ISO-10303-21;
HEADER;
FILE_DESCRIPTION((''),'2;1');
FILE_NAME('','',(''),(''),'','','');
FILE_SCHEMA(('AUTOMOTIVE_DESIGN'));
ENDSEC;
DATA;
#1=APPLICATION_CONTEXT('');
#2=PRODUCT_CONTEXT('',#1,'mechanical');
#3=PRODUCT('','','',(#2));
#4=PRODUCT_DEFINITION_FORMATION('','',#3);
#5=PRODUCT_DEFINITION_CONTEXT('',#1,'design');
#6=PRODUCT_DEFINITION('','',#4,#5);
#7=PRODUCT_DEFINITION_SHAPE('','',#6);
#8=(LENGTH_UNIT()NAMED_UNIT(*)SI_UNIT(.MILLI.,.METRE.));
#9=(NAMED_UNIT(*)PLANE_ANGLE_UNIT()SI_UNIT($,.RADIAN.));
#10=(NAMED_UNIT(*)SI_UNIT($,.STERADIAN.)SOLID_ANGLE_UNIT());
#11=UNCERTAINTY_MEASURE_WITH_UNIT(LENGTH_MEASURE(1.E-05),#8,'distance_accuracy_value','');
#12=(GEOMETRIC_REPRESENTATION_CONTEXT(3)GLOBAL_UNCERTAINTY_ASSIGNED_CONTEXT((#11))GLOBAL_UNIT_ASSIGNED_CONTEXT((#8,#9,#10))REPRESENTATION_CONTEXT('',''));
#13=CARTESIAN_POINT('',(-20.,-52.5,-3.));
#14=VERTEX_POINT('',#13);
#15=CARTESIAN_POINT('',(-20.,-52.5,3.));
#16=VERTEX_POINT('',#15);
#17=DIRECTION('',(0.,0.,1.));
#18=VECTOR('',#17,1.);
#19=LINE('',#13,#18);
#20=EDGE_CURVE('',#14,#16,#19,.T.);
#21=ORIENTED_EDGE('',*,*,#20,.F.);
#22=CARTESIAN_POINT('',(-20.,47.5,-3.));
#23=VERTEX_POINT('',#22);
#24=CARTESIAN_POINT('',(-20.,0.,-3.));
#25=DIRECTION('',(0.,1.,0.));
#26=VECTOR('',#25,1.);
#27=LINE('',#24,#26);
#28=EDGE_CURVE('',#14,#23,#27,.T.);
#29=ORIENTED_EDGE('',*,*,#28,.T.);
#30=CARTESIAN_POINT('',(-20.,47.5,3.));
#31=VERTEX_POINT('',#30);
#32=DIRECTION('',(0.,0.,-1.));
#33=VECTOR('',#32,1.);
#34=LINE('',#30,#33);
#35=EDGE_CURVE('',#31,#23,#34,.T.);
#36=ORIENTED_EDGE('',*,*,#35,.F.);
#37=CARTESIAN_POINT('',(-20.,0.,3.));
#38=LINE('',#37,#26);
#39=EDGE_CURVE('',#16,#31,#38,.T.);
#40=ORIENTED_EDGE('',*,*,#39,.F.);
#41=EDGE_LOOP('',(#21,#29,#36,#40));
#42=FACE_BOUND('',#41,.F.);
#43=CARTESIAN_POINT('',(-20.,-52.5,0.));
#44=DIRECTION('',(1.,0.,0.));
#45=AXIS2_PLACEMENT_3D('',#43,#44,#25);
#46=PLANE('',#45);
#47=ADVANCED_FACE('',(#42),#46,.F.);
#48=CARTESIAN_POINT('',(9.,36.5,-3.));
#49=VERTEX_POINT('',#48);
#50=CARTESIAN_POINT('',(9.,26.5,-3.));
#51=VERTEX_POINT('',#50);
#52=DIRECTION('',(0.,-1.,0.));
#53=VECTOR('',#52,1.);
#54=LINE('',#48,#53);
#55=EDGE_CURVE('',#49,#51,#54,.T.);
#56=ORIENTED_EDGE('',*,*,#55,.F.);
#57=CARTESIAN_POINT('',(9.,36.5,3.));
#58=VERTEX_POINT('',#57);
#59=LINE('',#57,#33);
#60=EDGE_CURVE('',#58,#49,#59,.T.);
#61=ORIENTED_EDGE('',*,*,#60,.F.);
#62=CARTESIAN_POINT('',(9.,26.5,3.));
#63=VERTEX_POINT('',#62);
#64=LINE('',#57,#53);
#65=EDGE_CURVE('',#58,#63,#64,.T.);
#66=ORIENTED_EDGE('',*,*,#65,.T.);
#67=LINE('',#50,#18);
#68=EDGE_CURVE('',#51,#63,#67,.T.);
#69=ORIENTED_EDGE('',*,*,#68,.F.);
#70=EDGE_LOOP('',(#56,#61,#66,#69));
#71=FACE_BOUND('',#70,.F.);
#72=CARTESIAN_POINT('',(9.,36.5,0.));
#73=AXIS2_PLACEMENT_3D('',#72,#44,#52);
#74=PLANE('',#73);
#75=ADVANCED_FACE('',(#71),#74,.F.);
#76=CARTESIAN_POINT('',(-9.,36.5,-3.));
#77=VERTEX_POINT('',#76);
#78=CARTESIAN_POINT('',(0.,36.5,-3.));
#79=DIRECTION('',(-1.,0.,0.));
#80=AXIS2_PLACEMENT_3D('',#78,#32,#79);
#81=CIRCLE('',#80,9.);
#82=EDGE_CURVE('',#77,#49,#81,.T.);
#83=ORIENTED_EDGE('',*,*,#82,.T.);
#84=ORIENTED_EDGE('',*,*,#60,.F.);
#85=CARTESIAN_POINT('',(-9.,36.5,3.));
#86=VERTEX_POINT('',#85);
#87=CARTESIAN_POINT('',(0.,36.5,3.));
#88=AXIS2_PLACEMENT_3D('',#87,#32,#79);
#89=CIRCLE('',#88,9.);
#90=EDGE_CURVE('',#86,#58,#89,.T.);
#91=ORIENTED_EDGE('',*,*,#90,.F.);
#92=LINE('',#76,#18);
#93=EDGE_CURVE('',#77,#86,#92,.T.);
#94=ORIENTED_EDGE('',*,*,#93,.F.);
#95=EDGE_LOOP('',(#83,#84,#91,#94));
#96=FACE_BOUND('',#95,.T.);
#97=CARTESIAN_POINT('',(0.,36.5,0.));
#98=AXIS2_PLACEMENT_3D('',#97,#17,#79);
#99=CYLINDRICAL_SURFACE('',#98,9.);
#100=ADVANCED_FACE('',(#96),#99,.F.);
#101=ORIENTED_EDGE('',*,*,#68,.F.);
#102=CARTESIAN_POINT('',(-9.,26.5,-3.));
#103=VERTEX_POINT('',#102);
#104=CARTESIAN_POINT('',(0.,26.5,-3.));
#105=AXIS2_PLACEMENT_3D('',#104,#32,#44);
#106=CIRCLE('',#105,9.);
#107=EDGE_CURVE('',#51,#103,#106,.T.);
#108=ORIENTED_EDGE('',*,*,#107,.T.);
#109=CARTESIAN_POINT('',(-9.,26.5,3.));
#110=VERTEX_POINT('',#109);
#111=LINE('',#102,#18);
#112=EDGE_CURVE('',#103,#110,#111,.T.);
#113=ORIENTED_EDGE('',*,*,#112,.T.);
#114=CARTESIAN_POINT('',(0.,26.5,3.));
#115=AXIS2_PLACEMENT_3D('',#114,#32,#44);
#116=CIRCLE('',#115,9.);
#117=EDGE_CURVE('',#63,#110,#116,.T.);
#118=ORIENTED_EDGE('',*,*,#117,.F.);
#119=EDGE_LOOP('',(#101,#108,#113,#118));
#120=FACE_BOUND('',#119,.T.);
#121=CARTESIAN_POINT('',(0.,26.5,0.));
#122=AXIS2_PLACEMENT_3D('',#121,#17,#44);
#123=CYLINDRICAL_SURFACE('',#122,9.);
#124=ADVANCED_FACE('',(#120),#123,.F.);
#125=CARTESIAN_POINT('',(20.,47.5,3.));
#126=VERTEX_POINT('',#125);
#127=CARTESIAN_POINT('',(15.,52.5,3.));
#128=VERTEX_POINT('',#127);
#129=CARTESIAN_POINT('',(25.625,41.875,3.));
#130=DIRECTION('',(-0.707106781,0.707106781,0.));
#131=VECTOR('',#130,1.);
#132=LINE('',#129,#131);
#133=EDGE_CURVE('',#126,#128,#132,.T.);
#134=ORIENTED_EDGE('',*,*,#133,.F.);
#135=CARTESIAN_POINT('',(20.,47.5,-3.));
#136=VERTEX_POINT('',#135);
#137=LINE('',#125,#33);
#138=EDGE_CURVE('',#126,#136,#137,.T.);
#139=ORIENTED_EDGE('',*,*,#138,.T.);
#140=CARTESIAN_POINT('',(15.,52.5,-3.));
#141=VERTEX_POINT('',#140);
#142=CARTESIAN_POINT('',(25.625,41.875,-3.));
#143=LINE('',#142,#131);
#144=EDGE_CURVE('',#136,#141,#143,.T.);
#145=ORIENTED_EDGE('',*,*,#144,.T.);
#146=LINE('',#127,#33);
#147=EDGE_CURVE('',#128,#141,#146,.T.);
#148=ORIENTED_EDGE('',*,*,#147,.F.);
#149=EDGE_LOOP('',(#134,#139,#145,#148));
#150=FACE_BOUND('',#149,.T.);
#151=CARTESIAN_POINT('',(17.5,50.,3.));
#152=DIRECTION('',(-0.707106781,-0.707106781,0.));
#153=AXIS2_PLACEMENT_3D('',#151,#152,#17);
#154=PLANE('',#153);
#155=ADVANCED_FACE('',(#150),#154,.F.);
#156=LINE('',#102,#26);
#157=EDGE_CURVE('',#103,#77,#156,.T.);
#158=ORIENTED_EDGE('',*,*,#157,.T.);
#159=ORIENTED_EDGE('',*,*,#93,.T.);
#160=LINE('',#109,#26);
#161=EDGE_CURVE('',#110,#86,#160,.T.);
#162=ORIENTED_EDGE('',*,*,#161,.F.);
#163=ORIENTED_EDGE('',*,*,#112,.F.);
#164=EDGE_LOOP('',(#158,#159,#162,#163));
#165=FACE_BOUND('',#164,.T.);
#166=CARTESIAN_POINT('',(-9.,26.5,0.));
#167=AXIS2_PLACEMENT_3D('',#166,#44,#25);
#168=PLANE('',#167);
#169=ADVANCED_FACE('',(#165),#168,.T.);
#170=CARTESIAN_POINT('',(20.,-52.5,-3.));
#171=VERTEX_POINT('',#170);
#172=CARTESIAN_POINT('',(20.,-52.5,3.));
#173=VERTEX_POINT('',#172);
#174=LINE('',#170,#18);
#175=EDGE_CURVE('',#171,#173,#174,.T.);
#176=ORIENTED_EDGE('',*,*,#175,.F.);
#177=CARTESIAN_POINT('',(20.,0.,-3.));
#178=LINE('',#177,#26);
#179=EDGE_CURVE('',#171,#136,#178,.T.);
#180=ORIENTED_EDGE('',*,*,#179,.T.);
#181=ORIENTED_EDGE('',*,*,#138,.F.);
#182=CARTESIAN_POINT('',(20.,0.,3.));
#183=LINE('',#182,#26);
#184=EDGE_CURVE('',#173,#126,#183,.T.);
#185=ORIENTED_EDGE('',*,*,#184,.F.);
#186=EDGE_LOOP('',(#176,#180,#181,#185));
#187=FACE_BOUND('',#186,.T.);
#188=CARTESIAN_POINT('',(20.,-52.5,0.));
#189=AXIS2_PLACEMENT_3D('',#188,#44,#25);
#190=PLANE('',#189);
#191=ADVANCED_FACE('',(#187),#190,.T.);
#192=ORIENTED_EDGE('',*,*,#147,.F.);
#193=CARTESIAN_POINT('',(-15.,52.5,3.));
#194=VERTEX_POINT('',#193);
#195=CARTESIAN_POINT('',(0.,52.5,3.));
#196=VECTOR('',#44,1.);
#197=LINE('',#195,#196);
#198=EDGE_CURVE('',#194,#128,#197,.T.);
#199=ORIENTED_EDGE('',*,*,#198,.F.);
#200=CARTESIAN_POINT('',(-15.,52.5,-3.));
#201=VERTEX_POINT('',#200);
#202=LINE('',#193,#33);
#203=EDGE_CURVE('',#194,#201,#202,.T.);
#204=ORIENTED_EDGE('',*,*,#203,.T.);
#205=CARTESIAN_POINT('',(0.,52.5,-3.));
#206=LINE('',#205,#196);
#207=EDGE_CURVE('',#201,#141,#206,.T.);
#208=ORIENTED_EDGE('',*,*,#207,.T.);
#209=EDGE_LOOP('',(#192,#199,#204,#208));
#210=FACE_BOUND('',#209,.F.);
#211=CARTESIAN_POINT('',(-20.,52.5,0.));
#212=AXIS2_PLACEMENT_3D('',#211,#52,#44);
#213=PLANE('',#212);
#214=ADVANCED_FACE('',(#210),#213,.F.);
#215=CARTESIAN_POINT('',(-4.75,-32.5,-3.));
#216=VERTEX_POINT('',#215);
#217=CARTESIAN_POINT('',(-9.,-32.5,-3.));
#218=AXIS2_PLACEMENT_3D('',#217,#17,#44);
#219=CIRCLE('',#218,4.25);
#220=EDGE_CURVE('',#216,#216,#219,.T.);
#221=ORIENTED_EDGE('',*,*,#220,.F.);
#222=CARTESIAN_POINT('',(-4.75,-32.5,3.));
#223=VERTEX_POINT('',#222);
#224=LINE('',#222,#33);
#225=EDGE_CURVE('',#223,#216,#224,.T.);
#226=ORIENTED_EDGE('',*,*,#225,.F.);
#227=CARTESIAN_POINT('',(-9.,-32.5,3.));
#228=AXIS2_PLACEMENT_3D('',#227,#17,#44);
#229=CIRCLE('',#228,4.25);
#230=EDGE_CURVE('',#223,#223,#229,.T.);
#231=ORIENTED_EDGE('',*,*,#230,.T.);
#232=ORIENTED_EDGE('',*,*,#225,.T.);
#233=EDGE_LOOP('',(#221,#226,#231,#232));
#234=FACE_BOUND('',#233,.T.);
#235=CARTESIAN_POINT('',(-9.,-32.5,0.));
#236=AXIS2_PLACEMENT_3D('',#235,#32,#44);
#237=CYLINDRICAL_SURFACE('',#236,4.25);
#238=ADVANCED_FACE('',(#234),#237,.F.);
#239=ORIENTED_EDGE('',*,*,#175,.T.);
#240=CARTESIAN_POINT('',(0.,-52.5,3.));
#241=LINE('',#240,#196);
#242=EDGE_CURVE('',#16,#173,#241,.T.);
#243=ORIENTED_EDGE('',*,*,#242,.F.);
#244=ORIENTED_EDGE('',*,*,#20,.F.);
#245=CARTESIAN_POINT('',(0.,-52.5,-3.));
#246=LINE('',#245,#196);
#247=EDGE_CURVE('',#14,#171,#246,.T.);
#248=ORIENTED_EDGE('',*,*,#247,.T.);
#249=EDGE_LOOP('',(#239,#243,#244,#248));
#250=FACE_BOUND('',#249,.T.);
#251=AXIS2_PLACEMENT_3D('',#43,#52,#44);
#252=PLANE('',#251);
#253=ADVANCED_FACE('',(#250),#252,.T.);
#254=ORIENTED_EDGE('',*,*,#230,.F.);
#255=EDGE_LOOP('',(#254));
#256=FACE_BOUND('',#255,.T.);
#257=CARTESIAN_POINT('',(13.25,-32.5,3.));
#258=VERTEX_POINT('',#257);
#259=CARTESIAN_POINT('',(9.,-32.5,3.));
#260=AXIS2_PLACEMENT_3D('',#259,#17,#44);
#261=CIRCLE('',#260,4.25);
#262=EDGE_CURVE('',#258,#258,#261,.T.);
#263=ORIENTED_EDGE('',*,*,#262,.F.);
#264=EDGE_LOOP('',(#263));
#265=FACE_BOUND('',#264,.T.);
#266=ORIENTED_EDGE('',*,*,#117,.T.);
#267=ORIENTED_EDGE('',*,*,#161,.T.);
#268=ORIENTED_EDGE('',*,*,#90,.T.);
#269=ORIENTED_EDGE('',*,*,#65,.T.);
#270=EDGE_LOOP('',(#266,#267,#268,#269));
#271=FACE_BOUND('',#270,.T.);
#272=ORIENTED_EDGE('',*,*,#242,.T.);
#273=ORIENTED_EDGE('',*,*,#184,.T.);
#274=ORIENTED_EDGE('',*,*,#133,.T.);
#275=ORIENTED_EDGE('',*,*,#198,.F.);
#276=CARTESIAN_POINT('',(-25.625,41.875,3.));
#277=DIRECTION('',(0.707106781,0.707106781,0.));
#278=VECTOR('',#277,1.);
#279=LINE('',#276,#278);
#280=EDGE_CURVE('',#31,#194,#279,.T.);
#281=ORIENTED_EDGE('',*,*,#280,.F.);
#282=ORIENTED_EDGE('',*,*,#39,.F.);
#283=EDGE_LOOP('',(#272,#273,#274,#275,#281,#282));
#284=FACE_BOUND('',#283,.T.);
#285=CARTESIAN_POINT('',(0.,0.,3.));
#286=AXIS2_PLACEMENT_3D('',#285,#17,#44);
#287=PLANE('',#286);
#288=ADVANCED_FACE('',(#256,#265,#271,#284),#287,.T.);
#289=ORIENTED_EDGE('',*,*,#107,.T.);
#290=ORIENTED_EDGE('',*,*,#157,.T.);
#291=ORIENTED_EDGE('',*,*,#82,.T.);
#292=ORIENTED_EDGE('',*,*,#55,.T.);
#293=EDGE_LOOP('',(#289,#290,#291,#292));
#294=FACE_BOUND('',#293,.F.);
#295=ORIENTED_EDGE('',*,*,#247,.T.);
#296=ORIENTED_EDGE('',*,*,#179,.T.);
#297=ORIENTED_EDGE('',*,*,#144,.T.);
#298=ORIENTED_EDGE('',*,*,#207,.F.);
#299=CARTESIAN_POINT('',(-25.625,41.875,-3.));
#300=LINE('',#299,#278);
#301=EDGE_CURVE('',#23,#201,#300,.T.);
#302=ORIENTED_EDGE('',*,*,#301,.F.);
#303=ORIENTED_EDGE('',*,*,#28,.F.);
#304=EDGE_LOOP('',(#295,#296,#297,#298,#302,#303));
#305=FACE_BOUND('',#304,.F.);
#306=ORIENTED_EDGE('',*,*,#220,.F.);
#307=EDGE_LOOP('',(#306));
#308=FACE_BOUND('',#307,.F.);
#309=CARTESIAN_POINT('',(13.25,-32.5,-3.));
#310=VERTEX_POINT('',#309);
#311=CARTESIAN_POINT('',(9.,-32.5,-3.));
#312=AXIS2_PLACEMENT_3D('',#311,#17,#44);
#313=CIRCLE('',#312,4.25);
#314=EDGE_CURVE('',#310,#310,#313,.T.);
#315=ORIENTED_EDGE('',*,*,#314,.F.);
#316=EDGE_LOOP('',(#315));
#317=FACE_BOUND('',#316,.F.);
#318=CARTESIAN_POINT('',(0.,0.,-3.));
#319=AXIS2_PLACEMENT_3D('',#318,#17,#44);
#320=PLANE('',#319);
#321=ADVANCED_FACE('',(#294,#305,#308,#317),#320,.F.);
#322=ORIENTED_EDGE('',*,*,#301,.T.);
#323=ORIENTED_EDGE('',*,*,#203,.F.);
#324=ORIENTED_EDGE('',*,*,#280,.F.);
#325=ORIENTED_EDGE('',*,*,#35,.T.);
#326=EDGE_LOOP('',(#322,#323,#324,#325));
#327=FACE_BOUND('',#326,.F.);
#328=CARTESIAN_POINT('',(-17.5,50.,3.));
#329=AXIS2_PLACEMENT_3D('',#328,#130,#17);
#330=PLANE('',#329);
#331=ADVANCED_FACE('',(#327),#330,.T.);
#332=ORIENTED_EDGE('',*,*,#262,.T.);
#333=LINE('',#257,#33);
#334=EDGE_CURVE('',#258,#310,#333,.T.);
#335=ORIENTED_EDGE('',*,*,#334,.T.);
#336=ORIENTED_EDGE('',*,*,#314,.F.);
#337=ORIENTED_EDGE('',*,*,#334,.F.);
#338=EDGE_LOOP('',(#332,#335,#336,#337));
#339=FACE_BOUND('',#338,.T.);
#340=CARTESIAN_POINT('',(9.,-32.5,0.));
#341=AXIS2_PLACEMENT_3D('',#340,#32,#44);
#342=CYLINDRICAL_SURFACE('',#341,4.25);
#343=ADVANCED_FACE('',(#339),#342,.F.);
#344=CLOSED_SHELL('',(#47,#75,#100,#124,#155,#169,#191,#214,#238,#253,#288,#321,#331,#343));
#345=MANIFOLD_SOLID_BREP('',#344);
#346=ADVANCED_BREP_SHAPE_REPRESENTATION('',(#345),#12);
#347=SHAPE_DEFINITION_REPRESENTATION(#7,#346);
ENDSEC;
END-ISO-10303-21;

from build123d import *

# Parameters (mm, degrees)
SKETCH1_W           = 40
SKETCH1_H           = 105
SKETCH1_R           = 4.25
BOSS_EXTRUDE1_DEPTH = 3
CHAMFER1_SIZE       = 5


with BuildPart() as part:
    # Sketch1 → Boss-Extrude1 (new body, symmetric)
    with BuildSketch(Plane.XY):
        Rectangle(SKETCH1_W, SKETCH1_H)
        with Locations((9, -32.5)):
            Circle(SKETCH1_R, mode=Mode.SUBTRACT)
        with Locations((-9, -32.5)):
            Circle(SKETCH1_R, mode=Mode.SUBTRACT)
        with BuildLine():
            Line((9, 36.5), (9, 26.5))
            ThreePointArc((9, 26.5), (0, 17.5), (-9, 26.5))
            Line((-9, 26.5), (-9, 36.5))
            ThreePointArc((-9, 36.5), (0, 45.5), (9, 36.5))
        make_face(mode=Mode.SUBTRACT)
    extrude(amount=BOSS_EXTRUDE1_DEPTH, both=True)

    # Chamfer1
    chamfer1_edges = [part.edges().sort_by_distance(p)[0] for p in [
        (-20, 52.5, 0),
        (20, 52.5, 0),
    ]]
    chamfer(chamfer1_edges, length=CHAMFER1_SIZE)


solid = part.part
